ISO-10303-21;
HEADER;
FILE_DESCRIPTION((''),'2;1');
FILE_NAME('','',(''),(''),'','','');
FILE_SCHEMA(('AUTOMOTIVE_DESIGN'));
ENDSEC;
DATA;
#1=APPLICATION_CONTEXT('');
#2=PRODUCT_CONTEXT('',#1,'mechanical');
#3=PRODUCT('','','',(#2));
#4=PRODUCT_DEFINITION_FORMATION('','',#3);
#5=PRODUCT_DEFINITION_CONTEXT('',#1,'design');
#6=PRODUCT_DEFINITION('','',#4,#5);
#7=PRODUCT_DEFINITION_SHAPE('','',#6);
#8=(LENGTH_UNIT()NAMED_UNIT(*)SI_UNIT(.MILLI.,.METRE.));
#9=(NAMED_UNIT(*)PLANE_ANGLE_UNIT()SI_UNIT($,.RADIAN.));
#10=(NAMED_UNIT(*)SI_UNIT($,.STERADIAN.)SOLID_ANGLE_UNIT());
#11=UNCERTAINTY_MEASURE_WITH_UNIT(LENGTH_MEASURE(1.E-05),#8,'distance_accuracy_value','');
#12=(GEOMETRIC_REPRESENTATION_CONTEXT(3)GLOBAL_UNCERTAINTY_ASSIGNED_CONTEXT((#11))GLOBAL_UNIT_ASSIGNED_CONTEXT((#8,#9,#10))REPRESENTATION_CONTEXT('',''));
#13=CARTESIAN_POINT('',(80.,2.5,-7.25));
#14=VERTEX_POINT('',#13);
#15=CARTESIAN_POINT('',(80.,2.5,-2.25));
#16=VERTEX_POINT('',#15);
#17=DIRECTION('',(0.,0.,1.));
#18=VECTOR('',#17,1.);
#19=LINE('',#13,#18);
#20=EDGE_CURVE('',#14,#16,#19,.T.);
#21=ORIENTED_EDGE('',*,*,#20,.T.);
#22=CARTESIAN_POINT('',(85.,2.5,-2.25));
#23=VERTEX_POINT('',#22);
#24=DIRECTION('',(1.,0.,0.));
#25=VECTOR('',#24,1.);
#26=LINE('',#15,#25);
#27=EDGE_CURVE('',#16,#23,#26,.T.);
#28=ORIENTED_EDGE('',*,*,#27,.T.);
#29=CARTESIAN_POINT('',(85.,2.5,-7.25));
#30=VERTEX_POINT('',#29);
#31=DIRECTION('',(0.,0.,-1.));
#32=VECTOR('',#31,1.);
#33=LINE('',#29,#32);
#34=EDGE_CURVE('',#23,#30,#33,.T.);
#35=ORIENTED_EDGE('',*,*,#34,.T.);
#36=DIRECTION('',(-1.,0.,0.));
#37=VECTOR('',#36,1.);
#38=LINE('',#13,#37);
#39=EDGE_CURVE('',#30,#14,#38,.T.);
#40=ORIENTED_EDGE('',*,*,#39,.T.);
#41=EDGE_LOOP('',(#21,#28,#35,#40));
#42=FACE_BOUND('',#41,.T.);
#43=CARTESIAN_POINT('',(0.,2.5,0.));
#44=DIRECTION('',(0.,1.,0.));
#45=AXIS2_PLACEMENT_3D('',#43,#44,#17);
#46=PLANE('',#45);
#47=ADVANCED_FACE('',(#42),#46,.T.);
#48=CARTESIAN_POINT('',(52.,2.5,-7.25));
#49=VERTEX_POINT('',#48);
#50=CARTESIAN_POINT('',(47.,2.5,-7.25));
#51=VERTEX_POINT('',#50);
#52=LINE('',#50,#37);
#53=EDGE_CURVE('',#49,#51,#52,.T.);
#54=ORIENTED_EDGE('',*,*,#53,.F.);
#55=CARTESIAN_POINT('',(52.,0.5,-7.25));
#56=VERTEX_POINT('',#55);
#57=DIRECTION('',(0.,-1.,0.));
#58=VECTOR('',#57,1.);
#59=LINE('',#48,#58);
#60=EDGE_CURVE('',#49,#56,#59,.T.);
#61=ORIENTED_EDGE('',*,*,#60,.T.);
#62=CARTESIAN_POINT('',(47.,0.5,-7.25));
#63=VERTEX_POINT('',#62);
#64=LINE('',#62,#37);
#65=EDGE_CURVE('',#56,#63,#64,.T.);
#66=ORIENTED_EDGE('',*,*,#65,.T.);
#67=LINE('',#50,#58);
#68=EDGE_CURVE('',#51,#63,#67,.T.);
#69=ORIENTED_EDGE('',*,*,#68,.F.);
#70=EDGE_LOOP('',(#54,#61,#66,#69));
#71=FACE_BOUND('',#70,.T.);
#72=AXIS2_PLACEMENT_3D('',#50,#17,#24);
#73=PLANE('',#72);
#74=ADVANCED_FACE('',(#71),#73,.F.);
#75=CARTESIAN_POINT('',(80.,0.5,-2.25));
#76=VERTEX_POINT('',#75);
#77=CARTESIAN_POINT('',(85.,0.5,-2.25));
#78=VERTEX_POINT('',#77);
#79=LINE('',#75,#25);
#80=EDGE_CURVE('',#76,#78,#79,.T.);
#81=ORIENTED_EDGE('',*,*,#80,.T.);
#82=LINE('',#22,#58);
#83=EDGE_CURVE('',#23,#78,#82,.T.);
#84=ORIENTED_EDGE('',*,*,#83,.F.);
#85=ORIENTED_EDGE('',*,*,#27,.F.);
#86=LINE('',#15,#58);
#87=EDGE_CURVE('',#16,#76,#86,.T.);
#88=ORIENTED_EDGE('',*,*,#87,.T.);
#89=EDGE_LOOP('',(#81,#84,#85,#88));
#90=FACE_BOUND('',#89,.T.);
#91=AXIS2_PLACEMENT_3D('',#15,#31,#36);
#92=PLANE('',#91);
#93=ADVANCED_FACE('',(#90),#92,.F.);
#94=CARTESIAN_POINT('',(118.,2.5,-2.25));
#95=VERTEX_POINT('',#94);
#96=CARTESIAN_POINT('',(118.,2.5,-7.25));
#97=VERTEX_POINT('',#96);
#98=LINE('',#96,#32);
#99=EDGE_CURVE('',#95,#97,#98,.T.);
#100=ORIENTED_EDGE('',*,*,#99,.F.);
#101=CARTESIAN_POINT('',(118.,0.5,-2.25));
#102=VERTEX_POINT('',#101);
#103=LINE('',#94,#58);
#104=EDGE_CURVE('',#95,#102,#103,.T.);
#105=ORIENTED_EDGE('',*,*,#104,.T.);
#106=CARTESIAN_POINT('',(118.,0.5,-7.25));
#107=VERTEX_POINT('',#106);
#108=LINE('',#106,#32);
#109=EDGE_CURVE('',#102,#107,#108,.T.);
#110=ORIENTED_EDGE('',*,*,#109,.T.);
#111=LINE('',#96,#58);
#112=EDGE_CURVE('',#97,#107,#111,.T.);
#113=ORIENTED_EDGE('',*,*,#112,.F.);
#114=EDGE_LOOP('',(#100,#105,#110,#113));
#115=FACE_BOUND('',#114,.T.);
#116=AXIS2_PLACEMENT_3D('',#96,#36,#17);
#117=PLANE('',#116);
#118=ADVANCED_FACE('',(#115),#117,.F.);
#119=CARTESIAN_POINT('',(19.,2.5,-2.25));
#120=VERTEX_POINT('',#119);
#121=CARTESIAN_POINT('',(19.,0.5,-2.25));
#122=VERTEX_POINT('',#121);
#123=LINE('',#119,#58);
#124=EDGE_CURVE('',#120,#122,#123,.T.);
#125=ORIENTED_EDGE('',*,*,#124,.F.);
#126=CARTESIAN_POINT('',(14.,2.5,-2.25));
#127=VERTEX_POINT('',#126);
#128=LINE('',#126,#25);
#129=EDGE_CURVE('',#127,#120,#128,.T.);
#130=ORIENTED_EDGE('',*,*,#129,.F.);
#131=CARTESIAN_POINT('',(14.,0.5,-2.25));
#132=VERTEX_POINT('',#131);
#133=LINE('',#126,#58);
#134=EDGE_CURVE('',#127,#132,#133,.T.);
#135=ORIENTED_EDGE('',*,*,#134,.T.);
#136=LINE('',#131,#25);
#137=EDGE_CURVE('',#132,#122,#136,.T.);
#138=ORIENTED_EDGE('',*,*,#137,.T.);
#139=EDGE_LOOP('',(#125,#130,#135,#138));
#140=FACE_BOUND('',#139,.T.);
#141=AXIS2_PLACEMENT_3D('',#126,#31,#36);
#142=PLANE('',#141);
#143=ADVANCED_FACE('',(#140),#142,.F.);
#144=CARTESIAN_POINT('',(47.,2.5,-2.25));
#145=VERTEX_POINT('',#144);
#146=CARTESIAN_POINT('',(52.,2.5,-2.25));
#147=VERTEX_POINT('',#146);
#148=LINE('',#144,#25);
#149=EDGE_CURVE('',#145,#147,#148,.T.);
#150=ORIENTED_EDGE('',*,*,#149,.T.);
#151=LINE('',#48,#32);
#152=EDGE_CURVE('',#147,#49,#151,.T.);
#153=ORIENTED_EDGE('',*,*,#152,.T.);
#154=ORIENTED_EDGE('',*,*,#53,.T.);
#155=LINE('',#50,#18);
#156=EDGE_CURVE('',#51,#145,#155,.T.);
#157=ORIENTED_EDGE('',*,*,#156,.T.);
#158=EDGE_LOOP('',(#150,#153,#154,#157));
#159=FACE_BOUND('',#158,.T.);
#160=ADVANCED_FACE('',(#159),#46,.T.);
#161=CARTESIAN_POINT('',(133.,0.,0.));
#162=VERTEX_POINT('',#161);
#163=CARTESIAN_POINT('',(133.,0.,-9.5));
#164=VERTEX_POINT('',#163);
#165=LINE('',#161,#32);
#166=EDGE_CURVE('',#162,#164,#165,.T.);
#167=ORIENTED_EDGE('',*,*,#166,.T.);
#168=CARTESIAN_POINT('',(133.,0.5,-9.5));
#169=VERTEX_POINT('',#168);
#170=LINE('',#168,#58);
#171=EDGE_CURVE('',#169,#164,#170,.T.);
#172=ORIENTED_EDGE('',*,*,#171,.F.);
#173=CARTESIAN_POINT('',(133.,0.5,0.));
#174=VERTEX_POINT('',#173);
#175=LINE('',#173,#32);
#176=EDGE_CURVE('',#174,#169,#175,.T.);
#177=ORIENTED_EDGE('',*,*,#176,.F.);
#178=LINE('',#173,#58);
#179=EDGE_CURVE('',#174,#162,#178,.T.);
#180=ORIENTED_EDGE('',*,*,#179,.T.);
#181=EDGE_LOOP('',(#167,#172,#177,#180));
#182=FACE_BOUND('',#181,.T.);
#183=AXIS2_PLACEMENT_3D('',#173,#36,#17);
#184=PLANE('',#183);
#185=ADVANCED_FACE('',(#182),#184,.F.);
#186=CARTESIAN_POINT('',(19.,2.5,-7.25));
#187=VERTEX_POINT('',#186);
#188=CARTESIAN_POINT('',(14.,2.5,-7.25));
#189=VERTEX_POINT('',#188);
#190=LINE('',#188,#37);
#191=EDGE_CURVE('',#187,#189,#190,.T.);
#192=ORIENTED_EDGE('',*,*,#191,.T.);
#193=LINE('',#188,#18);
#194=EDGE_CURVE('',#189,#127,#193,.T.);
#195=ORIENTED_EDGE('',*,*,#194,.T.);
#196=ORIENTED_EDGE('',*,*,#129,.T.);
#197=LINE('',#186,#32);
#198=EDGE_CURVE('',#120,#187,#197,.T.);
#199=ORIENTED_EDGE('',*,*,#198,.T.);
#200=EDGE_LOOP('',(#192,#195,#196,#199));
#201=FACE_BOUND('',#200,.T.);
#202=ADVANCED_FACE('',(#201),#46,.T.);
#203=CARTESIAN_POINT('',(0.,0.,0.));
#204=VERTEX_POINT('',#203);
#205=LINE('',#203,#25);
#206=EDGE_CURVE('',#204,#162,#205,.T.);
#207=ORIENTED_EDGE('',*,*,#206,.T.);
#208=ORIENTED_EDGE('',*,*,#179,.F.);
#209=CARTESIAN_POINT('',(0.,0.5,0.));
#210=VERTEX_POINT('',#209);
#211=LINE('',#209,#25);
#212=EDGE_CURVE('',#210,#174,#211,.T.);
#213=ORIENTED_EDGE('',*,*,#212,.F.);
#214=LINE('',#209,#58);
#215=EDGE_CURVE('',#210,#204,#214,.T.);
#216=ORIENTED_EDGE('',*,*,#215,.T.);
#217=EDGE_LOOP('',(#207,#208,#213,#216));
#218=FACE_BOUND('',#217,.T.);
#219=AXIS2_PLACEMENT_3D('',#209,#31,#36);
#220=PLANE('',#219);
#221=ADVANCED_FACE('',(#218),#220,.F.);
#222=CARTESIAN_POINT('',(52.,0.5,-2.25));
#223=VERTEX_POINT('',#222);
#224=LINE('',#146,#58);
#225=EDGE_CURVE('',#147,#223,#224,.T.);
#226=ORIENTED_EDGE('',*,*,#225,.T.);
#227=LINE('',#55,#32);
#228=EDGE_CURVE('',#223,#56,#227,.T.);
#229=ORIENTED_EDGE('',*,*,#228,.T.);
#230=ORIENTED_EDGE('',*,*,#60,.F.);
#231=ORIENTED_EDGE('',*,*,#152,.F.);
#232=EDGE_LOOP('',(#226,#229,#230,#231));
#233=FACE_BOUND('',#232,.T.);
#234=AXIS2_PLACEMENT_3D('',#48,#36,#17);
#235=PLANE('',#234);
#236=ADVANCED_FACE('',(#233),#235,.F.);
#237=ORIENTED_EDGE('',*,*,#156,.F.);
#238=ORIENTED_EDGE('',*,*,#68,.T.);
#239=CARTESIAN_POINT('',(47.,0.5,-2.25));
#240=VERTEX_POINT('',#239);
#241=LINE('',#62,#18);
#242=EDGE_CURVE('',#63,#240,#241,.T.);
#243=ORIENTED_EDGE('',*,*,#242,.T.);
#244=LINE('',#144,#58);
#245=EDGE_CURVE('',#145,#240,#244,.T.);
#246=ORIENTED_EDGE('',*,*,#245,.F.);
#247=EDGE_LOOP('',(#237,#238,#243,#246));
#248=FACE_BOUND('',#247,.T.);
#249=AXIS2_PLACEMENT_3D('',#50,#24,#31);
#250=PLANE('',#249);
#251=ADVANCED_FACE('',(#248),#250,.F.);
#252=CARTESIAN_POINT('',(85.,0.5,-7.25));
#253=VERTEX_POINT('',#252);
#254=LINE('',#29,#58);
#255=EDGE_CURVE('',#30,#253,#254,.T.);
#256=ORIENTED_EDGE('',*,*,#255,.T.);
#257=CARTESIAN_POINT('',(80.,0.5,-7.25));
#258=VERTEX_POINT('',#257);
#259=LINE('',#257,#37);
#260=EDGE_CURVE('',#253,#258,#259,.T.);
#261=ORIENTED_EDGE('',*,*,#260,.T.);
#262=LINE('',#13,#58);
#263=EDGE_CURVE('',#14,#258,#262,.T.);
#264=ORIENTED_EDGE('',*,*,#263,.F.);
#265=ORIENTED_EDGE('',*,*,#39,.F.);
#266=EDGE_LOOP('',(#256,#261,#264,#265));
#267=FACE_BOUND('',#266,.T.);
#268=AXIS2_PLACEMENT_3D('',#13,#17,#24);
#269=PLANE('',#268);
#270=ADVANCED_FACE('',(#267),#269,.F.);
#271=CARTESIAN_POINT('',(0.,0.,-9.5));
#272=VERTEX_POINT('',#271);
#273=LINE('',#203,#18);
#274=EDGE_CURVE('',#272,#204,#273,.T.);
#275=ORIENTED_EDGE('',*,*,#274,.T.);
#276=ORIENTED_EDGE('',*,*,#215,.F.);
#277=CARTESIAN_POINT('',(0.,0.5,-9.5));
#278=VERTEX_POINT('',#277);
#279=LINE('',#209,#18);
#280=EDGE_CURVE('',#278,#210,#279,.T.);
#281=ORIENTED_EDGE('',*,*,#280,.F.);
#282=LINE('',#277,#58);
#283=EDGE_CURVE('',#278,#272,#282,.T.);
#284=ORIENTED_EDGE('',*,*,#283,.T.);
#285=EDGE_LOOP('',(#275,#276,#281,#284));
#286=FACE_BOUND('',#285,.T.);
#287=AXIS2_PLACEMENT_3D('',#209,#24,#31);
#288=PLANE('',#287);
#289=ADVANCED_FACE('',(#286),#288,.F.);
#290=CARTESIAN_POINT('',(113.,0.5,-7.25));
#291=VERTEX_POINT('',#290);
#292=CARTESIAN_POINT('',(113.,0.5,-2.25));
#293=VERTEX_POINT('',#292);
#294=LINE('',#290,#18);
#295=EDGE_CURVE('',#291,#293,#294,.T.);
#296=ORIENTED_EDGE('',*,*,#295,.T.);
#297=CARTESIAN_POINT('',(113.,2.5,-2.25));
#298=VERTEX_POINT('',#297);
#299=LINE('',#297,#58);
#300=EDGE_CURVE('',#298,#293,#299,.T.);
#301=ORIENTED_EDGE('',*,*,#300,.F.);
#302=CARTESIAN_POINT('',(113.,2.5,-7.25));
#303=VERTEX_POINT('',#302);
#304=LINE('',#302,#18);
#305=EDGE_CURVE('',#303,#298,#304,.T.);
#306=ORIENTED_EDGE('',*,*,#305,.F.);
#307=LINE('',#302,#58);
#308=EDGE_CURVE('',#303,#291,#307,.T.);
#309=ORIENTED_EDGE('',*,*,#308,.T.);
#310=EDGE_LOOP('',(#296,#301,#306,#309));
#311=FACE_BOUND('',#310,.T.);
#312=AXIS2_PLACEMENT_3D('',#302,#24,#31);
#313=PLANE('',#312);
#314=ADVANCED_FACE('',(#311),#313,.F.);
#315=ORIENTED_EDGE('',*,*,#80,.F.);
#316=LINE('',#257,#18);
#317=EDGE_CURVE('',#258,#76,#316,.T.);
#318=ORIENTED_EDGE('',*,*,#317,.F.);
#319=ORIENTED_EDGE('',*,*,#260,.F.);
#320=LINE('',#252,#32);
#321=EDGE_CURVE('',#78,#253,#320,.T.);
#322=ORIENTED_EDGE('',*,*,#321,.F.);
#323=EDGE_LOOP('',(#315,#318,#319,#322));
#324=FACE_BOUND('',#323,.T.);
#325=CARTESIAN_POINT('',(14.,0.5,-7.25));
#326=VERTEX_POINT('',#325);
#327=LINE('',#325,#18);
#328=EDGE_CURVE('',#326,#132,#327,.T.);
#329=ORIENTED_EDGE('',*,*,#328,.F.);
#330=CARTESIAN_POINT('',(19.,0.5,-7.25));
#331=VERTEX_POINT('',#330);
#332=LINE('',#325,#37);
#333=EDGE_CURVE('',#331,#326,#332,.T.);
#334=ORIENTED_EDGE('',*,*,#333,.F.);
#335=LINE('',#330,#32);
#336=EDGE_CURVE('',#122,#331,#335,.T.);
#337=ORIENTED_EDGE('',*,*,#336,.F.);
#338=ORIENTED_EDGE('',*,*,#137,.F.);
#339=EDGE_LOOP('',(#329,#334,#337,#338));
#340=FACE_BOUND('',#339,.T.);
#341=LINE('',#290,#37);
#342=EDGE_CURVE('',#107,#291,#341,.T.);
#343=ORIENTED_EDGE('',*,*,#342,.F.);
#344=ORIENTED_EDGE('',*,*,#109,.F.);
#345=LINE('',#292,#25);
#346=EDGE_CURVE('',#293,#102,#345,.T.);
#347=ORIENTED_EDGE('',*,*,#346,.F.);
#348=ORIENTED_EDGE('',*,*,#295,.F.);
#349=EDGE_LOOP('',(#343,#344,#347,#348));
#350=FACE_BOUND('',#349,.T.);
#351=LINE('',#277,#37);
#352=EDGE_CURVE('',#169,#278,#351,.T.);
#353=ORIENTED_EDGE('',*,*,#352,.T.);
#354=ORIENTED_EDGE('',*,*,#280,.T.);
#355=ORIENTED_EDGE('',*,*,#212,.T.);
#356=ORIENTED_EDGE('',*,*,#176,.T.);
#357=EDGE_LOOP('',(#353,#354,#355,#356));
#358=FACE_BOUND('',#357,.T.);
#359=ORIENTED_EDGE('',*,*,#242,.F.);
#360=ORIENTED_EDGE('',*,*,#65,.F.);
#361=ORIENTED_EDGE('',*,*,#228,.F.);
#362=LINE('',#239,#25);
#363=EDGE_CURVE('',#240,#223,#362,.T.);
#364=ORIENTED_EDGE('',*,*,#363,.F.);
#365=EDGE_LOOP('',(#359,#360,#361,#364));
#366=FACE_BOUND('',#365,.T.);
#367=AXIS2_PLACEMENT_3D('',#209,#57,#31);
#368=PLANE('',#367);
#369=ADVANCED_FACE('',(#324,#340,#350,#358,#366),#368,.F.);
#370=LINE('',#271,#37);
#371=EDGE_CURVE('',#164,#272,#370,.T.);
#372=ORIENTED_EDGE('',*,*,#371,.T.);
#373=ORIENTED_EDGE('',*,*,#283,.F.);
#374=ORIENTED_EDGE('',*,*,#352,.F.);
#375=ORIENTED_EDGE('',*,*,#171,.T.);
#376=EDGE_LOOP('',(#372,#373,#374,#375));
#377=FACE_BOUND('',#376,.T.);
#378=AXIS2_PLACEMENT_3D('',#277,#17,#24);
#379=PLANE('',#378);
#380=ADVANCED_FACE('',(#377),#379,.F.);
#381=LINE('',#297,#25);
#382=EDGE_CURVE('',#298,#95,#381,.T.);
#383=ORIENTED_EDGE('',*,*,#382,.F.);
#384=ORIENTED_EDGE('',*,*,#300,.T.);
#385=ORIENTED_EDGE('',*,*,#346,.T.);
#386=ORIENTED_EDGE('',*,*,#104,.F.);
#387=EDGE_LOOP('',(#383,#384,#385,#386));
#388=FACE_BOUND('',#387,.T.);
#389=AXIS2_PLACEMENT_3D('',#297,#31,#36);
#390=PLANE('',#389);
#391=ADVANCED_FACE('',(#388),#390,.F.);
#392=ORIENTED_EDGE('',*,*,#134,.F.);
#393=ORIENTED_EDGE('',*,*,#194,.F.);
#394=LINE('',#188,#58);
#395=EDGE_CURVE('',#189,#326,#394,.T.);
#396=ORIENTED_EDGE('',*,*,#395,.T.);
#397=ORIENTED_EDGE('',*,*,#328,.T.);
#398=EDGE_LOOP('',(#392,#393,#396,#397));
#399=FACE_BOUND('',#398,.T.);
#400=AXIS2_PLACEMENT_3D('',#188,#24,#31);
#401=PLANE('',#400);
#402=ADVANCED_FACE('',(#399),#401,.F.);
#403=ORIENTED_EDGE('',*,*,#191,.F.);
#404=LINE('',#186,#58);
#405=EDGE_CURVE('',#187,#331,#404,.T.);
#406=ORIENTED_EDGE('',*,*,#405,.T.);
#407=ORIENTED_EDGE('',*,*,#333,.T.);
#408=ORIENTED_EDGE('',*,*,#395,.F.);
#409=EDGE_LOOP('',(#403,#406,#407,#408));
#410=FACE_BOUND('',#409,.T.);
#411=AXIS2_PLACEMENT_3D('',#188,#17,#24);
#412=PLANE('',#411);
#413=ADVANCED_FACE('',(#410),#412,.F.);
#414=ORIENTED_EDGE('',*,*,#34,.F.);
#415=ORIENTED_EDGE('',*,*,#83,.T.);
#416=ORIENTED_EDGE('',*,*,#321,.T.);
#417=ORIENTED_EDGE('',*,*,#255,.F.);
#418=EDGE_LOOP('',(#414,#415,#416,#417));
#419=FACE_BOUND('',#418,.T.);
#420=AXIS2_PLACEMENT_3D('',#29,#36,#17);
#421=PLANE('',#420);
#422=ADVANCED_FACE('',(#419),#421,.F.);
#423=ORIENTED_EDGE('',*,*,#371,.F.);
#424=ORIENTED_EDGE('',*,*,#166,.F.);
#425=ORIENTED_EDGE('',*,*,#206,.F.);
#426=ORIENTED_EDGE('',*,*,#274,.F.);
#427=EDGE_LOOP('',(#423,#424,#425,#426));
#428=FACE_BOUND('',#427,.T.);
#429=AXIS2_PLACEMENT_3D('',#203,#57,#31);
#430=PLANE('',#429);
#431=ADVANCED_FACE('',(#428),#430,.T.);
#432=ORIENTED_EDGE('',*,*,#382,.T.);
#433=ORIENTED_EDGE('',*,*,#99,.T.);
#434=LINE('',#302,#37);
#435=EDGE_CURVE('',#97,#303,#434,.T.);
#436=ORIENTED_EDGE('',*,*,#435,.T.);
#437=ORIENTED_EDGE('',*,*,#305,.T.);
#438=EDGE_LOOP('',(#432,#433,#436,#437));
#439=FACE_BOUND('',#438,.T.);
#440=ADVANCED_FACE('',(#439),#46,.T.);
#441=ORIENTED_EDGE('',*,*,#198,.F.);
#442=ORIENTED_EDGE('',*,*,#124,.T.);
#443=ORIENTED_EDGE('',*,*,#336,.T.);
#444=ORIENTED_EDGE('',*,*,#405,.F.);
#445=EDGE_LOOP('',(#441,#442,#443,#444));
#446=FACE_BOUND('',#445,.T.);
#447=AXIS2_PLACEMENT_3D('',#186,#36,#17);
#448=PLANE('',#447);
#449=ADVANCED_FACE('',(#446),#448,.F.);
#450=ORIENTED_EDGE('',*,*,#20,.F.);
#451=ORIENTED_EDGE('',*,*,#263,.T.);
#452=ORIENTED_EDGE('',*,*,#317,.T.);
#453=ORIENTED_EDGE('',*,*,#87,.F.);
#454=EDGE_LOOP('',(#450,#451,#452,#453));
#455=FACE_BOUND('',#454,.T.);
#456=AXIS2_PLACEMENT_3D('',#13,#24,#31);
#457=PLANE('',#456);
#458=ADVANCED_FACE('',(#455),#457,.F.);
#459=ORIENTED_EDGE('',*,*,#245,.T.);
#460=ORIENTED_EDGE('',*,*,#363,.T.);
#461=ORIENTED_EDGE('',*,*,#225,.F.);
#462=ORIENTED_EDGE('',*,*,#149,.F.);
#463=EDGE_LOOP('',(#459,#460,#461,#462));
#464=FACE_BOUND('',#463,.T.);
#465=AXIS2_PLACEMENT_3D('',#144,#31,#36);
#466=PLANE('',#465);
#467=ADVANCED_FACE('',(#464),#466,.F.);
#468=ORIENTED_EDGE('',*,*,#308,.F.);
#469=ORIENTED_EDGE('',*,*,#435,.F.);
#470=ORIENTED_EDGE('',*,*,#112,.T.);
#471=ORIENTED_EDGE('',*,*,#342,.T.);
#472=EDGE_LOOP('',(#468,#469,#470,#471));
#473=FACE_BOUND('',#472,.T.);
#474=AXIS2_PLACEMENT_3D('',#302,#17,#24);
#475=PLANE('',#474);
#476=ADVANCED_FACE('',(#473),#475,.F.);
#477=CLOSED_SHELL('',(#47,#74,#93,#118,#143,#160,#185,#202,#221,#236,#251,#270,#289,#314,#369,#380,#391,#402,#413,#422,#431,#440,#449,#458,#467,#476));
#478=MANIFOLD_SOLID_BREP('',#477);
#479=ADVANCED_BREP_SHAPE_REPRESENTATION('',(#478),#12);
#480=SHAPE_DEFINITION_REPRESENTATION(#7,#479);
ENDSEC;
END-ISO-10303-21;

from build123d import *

# Parameters (mm, degrees)
ESQUISSE1_W        = 133
ESQUISSE1_H        = 9.5
BOSS_EXTRU_1_DEPTH = 0.5
ESQUISSE2_W        = 5
ESQUISSE2_H        = 5
BOSS_EXTRU_2_DEPTH = 2


with BuildPart() as part:
    # Esquisse1 → Boss.-Extru.1 (new body)
    with BuildSketch(Plane(origin=(0, 0, 0), x_dir=(1, 0, 0), z_dir=(0, 1, 0))):
        with Locations((66.5, 4.75)):
            Rectangle(ESQUISSE1_W, ESQUISSE1_H)
    extrude(amount=BOSS_EXTRU_1_DEPTH)

    # Esquisse2 → Boss.-Extru.2 (add)
    with BuildSketch(Plane(origin=(0, 0.5, 0), x_dir=(1, 0, 0), z_dir=(0, 1, 0))):
        with Locations((16.5, 4.75)):
            Rectangle(ESQUISSE2_W, ESQUISSE2_H)
        with Locations((49.5, 4.75)):
            Rectangle(ESQUISSE2_W, ESQUISSE2_H)
        with Locations((82.5, 4.75)):
            Rectangle(ESQUISSE2_W, ESQUISSE2_H)
        with Locations((115.5, 4.75)):
            Rectangle(ESQUISSE2_W, ESQUISSE2_H)
    extrude(amount=BOSS_EXTRU_2_DEPTH)


solid = part.part
